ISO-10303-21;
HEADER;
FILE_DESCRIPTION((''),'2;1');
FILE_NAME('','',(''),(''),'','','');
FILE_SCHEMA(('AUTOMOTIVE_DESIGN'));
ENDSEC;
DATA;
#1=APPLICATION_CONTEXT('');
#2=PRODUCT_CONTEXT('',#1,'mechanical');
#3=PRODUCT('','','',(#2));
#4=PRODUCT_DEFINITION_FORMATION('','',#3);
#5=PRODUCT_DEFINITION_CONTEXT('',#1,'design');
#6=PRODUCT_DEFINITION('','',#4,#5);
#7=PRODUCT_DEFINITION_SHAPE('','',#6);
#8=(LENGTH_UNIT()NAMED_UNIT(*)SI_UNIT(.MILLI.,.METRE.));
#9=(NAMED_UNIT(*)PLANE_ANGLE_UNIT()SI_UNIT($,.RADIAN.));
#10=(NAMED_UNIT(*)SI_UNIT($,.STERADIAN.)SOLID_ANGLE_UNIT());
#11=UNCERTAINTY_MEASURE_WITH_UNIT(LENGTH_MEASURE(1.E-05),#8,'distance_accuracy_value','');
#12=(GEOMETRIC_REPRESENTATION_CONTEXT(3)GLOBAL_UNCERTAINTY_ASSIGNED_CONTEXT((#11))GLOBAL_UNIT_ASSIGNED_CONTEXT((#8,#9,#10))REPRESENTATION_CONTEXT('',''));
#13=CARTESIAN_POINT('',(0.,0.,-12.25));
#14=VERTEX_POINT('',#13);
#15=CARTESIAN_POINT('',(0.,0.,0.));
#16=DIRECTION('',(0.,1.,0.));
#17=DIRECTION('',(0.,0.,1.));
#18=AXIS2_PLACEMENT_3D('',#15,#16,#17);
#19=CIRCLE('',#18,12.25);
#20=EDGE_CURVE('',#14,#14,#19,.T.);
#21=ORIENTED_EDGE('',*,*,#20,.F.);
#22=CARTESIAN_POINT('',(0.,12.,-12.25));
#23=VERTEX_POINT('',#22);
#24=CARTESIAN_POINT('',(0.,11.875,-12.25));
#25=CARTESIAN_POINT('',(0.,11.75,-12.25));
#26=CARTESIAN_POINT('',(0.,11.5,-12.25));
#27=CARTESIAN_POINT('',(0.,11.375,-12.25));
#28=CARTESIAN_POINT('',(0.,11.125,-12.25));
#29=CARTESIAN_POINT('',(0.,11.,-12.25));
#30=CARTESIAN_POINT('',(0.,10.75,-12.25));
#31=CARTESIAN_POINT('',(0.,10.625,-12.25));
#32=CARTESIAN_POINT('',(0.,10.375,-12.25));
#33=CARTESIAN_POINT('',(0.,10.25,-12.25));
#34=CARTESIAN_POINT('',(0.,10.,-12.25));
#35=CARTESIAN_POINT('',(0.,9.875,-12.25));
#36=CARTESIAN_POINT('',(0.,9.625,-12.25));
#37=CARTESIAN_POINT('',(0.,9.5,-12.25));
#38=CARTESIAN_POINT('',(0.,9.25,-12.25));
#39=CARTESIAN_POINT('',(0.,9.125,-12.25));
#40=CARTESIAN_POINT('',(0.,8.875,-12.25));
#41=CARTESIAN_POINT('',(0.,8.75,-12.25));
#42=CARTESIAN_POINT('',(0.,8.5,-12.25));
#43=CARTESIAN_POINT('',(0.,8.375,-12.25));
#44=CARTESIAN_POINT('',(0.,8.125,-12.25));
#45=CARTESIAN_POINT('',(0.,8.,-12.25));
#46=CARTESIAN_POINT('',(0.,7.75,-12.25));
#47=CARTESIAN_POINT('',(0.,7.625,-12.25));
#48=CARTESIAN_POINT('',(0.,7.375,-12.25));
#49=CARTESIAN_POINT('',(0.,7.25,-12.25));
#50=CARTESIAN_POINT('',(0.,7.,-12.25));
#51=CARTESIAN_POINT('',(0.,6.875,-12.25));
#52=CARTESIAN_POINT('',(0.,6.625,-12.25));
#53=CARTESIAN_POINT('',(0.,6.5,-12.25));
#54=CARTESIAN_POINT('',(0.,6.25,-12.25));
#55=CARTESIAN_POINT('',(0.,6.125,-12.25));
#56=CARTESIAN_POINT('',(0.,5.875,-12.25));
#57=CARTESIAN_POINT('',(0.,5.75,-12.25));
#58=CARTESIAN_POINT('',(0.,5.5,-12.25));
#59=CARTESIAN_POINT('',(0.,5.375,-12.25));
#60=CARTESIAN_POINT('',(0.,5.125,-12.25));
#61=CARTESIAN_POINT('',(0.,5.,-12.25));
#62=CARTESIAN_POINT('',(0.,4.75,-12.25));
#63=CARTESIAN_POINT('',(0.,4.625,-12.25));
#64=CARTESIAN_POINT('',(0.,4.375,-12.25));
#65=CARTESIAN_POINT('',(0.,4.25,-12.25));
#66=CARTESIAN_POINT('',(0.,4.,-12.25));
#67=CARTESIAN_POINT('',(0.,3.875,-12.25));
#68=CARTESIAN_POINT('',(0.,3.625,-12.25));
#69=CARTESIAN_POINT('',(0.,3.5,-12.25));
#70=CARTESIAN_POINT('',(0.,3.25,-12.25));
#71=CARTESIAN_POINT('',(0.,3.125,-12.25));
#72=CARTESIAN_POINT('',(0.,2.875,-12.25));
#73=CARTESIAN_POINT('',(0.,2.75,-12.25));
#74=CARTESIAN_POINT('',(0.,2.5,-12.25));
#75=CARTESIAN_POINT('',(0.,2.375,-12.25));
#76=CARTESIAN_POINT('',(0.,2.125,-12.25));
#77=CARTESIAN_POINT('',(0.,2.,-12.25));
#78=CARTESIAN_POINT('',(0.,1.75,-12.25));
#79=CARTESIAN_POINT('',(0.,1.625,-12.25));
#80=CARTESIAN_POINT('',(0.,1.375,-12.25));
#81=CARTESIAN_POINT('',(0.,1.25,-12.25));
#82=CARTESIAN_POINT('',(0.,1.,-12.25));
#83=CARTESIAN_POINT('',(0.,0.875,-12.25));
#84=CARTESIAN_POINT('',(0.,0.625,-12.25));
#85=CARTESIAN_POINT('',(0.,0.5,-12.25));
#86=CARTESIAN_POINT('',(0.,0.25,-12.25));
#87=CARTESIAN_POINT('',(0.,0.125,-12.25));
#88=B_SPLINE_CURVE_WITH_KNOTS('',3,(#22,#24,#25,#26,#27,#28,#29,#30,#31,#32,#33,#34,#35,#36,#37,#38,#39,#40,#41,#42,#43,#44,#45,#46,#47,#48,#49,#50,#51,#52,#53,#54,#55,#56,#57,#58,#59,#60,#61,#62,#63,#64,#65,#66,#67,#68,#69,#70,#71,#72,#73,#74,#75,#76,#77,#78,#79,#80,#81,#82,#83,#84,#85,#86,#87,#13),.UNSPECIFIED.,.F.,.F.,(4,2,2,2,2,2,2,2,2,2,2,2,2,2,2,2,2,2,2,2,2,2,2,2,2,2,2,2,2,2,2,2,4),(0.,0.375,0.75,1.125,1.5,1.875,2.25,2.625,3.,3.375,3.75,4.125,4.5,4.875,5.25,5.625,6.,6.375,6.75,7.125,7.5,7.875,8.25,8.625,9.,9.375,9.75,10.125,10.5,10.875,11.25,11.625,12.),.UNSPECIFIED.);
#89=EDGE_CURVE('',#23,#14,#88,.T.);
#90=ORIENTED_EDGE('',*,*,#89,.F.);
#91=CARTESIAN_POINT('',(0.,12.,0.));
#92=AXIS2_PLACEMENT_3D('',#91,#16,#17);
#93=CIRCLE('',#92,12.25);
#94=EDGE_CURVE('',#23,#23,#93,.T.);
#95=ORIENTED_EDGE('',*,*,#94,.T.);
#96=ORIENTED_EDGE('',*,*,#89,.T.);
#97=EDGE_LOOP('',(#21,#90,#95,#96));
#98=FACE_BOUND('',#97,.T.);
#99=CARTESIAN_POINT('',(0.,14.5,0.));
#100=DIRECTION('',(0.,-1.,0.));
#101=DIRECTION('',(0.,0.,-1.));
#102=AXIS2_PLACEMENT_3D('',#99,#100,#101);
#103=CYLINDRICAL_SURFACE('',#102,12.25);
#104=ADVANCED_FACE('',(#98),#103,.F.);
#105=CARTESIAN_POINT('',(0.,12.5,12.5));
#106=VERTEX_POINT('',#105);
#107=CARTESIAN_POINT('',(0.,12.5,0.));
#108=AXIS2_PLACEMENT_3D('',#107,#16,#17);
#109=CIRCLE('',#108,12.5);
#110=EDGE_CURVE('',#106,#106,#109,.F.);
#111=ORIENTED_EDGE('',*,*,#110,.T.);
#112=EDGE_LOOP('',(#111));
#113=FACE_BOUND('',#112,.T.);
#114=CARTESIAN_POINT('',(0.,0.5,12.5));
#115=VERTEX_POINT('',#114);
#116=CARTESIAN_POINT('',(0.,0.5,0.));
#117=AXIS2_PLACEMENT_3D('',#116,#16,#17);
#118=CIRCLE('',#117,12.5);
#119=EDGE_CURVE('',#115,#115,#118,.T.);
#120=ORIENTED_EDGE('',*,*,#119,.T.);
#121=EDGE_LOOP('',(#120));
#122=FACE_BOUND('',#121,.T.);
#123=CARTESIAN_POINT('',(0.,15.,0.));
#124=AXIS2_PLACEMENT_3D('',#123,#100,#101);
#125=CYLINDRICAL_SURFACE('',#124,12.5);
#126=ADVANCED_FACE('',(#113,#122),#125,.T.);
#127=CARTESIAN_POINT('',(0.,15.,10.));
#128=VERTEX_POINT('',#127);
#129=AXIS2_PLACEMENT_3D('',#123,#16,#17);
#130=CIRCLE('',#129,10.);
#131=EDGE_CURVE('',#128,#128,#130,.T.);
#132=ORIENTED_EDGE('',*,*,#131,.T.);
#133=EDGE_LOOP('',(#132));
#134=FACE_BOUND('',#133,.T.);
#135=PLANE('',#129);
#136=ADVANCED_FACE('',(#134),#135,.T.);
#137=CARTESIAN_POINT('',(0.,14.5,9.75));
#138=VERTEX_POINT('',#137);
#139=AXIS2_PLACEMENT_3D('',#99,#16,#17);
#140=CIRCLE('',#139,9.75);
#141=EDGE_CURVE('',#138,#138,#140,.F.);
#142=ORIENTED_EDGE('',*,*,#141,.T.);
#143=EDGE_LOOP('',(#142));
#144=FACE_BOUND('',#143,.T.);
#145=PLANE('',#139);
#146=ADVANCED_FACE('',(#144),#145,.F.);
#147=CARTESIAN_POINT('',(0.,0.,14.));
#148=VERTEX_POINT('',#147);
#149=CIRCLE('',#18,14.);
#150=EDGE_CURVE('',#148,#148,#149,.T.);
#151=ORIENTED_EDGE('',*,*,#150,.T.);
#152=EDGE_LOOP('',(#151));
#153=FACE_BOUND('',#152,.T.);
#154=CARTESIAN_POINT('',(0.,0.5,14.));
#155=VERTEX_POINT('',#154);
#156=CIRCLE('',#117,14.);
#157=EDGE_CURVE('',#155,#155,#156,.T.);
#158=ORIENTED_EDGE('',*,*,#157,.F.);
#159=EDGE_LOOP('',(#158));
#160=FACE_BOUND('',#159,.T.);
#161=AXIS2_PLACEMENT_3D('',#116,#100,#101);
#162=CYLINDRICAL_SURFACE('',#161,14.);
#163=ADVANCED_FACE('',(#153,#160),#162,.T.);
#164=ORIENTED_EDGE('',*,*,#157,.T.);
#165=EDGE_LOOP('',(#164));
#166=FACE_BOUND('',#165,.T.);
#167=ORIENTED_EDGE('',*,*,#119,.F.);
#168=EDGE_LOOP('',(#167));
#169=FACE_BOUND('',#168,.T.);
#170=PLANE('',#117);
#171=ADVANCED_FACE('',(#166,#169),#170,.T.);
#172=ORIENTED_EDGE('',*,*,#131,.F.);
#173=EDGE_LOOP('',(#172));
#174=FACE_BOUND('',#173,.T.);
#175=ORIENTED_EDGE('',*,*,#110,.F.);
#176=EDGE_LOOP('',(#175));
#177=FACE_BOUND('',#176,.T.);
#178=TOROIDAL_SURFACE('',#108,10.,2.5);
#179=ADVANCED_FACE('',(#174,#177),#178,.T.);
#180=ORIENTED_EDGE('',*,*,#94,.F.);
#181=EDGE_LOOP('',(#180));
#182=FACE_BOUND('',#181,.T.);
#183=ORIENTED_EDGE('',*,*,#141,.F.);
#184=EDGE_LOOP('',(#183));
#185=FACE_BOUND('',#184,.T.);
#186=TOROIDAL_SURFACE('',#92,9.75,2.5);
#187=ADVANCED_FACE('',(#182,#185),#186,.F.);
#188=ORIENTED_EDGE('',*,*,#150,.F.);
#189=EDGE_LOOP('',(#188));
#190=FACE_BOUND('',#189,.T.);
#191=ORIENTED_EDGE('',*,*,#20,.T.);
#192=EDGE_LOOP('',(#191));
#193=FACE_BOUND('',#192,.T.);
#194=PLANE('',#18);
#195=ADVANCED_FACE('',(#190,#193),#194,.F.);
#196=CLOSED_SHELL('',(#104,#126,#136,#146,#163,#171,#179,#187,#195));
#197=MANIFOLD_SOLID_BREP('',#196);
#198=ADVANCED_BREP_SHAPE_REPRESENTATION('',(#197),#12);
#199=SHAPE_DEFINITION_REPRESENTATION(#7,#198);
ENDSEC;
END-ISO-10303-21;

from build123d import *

# Parameters (mm, degrees)
SKETCH1_R           = 12.5
BOSS_EXTRUDE2_DEPTH = 15
SKETCH2_R           = 14
BOSS_EXTRUDE3_DEPTH = 0.5
SKETCH3_R           = 12.25
CUT_EXTRUDE1_DEPTH  = 14.5
FILLET1_R           = 2.5
FILLET2_R           = 2.5


with BuildPart() as part:
    # Sketch1 → Boss-Extrude2 (new body)
    with BuildSketch(Plane(origin=(0, 0, 0), x_dir=(1, 0, 0), z_dir=(0, 1, 0))):
        with Locations(Location((0, 0, 0), (0, 0, 270))):
            Circle(SKETCH1_R)
    extrude(amount=BOSS_EXTRUDE2_DEPTH)

    # Sketch2 → Boss-Extrude3 (add)
    with BuildSketch(Plane(origin=(0, 0, 0), x_dir=(1, 0, 0), z_dir=(0, 1, 0))):
        with Locations(Location((0, 0, 0), (0, 0, 270))):
            Circle(SKETCH2_R)
    extrude(amount=BOSS_EXTRUDE3_DEPTH)

    # Sketch3 → Cut-Extrude1 (cut)
    with BuildSketch(Plane(origin=(0, 0, 0), x_dir=(1, 0, 0), z_dir=(0, 1, 0))):
        with Locations(Location((0, 0, 0), (0, 0, 90))):
            Circle(SKETCH3_R)
    extrude(amount=CUT_EXTRUDE1_DEPTH, mode=Mode.SUBTRACT)

    # Fillet1
    fillet1_edges = [part.edges().sort_by_distance(p)[0] for p in [
        (0, 15, -12.5),
    ]]
    fillet(fillet1_edges, radius=FILLET1_R)

    # Fillet2
    fillet2_edges = [part.edges().sort_by_distance(p)[0] for p in [
        (0, 14.5, 12.25),
    ]]
    fillet(fillet2_edges, radius=FILLET2_R)


solid = part.part
